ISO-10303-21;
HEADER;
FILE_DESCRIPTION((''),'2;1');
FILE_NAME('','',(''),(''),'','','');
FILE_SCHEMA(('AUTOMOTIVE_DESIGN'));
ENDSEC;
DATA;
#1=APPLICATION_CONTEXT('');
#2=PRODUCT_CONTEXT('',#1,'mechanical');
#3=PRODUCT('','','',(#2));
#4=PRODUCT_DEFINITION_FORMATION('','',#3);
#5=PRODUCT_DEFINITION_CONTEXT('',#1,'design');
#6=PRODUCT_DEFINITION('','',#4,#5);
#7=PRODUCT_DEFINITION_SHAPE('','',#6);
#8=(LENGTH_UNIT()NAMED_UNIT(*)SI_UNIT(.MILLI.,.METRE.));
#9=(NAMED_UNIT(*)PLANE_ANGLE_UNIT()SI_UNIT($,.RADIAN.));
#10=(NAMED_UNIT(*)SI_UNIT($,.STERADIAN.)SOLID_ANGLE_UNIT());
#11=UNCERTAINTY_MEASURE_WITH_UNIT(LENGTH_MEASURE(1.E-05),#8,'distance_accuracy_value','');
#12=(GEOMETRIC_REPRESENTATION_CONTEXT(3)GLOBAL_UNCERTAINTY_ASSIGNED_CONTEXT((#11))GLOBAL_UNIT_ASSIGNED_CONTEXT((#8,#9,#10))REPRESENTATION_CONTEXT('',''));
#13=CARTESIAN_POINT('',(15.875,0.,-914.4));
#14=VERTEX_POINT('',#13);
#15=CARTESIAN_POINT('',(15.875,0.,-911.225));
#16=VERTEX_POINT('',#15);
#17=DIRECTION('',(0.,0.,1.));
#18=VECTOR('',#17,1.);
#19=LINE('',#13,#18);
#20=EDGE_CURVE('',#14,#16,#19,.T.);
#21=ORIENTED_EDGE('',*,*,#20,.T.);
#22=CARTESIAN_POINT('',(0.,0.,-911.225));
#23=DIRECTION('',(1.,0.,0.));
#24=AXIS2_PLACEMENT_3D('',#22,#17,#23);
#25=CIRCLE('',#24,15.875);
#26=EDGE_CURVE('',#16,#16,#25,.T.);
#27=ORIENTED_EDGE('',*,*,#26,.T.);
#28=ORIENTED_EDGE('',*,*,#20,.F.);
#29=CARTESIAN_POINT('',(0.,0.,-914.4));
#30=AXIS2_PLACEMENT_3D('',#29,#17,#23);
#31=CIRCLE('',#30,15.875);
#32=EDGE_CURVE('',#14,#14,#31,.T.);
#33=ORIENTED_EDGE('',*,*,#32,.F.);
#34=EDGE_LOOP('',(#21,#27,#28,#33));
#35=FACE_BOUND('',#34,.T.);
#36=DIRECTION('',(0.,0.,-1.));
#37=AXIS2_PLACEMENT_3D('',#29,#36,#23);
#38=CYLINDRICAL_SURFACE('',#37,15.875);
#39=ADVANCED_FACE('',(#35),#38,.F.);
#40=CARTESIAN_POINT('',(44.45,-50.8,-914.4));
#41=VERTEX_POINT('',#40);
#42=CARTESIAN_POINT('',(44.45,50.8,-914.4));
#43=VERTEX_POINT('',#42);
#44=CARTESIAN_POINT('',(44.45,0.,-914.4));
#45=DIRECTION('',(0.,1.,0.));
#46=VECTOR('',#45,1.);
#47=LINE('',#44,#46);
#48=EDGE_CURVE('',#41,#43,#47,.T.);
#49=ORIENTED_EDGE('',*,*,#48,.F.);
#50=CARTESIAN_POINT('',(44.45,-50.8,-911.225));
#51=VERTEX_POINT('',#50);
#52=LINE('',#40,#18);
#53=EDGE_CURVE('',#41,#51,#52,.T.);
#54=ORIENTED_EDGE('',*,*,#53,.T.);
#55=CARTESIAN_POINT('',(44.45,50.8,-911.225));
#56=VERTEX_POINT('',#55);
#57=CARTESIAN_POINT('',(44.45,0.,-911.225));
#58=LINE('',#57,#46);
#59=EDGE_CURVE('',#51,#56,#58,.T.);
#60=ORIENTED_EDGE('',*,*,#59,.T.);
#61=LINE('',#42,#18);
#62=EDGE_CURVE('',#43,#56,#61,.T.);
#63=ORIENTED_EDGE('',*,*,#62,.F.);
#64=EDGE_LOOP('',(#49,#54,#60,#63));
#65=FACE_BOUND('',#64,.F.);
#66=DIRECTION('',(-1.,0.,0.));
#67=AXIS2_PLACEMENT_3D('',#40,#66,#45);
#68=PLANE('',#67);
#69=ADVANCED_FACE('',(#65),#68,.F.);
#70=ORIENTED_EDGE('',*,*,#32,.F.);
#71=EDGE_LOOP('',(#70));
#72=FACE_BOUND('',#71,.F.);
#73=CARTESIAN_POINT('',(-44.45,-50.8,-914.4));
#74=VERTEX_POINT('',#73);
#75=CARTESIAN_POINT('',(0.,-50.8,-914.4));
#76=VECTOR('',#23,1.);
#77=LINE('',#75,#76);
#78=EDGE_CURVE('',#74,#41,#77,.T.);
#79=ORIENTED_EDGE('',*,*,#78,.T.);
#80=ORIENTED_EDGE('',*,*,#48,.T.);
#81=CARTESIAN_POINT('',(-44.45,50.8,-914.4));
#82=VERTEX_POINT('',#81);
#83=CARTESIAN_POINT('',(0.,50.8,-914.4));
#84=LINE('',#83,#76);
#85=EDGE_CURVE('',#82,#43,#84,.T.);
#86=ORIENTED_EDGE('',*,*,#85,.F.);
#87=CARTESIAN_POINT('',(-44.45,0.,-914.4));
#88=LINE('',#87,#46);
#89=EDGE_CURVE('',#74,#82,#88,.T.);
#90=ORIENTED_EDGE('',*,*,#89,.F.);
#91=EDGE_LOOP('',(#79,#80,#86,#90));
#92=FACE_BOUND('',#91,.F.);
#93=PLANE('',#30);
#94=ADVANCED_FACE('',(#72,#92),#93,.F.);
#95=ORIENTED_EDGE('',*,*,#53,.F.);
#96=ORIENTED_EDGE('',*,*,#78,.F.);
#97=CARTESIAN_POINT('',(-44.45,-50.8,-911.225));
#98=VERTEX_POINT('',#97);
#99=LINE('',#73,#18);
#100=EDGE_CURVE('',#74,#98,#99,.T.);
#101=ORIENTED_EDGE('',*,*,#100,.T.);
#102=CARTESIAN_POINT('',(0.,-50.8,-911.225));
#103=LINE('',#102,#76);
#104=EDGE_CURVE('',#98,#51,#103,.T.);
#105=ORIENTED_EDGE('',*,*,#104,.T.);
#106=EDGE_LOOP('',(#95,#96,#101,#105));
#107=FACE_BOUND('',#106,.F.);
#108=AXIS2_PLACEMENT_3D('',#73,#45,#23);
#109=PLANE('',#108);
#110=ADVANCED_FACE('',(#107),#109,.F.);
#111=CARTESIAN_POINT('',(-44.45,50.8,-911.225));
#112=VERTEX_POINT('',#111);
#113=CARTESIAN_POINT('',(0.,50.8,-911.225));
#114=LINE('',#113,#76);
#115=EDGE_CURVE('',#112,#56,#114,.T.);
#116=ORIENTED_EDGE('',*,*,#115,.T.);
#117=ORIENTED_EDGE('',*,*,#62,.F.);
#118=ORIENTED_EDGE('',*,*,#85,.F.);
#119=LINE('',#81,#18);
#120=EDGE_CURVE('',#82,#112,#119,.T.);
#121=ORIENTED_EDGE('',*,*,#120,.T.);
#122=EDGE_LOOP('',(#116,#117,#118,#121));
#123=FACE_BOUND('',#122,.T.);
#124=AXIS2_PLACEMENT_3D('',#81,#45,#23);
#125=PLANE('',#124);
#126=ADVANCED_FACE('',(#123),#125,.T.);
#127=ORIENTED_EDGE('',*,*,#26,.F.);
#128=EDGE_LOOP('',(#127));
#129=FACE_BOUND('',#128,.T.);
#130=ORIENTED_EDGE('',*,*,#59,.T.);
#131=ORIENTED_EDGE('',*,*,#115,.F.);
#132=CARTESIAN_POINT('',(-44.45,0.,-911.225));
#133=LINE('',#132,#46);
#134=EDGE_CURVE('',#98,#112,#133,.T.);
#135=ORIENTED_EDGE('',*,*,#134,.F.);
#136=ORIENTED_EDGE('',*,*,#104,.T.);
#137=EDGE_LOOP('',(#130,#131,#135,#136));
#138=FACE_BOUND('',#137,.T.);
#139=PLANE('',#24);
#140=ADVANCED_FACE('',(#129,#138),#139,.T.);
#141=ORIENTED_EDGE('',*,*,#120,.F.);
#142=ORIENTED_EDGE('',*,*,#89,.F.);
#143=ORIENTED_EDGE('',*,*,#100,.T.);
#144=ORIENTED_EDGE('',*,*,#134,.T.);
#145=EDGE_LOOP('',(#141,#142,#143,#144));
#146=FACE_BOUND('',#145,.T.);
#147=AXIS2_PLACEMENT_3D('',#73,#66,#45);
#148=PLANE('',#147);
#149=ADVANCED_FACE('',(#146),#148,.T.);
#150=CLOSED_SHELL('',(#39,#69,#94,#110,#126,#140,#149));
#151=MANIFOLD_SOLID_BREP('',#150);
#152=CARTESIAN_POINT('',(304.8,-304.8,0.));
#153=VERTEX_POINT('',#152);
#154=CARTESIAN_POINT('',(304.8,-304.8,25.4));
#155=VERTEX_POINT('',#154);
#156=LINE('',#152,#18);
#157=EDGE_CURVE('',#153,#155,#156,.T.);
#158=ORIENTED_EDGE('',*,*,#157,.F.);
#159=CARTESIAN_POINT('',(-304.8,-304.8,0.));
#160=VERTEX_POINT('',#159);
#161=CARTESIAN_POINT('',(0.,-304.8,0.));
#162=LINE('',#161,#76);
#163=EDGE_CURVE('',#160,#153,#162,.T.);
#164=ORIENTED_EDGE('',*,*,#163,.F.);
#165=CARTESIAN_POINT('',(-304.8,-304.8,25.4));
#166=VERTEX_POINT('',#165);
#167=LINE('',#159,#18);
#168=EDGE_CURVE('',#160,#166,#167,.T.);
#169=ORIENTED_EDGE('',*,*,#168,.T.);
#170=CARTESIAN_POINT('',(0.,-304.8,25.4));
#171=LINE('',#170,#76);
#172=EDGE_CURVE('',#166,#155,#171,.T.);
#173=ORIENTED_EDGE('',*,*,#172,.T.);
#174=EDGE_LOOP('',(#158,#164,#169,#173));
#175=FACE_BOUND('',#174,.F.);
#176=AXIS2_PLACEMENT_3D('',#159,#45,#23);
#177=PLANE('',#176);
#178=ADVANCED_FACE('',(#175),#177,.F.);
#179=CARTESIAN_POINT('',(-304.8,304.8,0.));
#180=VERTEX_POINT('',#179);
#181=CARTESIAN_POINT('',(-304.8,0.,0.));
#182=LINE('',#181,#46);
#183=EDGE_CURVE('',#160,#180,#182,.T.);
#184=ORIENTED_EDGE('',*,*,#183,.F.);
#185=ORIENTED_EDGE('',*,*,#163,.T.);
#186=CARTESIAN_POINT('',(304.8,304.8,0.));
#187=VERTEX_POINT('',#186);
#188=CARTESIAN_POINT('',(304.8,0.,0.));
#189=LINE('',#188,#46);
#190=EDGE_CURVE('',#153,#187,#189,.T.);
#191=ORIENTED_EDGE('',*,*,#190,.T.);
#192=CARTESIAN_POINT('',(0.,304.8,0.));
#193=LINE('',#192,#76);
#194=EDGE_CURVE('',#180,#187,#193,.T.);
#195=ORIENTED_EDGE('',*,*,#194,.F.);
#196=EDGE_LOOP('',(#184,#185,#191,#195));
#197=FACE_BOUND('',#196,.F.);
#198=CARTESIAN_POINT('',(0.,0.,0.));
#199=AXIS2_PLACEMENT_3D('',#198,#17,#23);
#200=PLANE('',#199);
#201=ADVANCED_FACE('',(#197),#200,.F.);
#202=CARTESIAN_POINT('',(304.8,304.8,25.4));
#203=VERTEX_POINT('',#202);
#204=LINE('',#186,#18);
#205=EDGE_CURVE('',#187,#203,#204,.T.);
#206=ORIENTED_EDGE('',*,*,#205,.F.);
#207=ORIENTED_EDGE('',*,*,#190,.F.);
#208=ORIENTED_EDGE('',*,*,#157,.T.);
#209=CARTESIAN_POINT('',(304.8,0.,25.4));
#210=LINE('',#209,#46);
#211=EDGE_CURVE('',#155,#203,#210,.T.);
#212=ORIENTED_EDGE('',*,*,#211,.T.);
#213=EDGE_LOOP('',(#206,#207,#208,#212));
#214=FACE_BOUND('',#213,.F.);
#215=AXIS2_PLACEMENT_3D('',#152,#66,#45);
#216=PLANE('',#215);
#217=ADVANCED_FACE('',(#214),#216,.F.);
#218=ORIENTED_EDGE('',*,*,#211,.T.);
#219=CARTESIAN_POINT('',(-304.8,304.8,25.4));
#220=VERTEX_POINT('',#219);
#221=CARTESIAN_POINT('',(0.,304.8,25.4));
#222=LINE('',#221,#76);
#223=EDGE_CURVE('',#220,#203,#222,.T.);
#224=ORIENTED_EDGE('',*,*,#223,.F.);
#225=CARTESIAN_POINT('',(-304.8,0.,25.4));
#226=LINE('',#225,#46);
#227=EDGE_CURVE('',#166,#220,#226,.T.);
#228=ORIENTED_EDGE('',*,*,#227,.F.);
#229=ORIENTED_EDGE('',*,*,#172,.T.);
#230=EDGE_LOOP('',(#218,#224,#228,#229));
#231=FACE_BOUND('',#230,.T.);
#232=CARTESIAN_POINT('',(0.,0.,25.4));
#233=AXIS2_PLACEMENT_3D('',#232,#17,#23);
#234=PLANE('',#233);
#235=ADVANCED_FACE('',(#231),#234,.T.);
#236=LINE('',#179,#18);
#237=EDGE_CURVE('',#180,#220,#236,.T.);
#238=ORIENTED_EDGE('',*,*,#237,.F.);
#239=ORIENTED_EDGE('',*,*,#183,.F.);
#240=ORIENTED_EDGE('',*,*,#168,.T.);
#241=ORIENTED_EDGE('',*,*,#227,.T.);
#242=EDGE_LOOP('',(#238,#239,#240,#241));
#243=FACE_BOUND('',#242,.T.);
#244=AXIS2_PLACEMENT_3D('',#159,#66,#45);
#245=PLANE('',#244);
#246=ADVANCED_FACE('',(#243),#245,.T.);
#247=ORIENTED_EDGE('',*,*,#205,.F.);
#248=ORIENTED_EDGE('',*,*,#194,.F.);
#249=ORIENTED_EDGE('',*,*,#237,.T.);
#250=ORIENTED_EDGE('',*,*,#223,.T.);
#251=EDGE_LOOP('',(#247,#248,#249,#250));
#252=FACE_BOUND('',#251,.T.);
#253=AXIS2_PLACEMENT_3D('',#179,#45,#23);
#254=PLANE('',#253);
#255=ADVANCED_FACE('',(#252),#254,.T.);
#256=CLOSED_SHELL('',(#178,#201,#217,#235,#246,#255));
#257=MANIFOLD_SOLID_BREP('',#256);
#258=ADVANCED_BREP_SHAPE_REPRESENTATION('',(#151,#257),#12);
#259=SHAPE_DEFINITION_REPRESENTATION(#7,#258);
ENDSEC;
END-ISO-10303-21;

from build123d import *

# Parameters (mm, degrees)
F0_W     = 609.6
F0_H     = 609.6
F6_DEPTH = 25.4
F5_W     = 88.9
F5_H     = 101.6
F5_R     = 15.875
F7_DEPTH = 3.175


with BuildPart() as f6:
    # F0 (on Top) → F6 (new body)
    with BuildSketch(Plane.XY):
        Rectangle(F0_W, F0_H)
    extrude(amount=F6_DEPTH)


with BuildPart() as f7:
    # F5 (on offset) → F7 (new body)
    with BuildSketch(Plane.XY.offset(-914.4)):
        Rectangle(F5_W, F5_H)
        Circle(F5_R, mode=Mode.SUBTRACT)
    extrude(amount=F7_DEPTH)


solid = Compound([f6.part, f7.part])
